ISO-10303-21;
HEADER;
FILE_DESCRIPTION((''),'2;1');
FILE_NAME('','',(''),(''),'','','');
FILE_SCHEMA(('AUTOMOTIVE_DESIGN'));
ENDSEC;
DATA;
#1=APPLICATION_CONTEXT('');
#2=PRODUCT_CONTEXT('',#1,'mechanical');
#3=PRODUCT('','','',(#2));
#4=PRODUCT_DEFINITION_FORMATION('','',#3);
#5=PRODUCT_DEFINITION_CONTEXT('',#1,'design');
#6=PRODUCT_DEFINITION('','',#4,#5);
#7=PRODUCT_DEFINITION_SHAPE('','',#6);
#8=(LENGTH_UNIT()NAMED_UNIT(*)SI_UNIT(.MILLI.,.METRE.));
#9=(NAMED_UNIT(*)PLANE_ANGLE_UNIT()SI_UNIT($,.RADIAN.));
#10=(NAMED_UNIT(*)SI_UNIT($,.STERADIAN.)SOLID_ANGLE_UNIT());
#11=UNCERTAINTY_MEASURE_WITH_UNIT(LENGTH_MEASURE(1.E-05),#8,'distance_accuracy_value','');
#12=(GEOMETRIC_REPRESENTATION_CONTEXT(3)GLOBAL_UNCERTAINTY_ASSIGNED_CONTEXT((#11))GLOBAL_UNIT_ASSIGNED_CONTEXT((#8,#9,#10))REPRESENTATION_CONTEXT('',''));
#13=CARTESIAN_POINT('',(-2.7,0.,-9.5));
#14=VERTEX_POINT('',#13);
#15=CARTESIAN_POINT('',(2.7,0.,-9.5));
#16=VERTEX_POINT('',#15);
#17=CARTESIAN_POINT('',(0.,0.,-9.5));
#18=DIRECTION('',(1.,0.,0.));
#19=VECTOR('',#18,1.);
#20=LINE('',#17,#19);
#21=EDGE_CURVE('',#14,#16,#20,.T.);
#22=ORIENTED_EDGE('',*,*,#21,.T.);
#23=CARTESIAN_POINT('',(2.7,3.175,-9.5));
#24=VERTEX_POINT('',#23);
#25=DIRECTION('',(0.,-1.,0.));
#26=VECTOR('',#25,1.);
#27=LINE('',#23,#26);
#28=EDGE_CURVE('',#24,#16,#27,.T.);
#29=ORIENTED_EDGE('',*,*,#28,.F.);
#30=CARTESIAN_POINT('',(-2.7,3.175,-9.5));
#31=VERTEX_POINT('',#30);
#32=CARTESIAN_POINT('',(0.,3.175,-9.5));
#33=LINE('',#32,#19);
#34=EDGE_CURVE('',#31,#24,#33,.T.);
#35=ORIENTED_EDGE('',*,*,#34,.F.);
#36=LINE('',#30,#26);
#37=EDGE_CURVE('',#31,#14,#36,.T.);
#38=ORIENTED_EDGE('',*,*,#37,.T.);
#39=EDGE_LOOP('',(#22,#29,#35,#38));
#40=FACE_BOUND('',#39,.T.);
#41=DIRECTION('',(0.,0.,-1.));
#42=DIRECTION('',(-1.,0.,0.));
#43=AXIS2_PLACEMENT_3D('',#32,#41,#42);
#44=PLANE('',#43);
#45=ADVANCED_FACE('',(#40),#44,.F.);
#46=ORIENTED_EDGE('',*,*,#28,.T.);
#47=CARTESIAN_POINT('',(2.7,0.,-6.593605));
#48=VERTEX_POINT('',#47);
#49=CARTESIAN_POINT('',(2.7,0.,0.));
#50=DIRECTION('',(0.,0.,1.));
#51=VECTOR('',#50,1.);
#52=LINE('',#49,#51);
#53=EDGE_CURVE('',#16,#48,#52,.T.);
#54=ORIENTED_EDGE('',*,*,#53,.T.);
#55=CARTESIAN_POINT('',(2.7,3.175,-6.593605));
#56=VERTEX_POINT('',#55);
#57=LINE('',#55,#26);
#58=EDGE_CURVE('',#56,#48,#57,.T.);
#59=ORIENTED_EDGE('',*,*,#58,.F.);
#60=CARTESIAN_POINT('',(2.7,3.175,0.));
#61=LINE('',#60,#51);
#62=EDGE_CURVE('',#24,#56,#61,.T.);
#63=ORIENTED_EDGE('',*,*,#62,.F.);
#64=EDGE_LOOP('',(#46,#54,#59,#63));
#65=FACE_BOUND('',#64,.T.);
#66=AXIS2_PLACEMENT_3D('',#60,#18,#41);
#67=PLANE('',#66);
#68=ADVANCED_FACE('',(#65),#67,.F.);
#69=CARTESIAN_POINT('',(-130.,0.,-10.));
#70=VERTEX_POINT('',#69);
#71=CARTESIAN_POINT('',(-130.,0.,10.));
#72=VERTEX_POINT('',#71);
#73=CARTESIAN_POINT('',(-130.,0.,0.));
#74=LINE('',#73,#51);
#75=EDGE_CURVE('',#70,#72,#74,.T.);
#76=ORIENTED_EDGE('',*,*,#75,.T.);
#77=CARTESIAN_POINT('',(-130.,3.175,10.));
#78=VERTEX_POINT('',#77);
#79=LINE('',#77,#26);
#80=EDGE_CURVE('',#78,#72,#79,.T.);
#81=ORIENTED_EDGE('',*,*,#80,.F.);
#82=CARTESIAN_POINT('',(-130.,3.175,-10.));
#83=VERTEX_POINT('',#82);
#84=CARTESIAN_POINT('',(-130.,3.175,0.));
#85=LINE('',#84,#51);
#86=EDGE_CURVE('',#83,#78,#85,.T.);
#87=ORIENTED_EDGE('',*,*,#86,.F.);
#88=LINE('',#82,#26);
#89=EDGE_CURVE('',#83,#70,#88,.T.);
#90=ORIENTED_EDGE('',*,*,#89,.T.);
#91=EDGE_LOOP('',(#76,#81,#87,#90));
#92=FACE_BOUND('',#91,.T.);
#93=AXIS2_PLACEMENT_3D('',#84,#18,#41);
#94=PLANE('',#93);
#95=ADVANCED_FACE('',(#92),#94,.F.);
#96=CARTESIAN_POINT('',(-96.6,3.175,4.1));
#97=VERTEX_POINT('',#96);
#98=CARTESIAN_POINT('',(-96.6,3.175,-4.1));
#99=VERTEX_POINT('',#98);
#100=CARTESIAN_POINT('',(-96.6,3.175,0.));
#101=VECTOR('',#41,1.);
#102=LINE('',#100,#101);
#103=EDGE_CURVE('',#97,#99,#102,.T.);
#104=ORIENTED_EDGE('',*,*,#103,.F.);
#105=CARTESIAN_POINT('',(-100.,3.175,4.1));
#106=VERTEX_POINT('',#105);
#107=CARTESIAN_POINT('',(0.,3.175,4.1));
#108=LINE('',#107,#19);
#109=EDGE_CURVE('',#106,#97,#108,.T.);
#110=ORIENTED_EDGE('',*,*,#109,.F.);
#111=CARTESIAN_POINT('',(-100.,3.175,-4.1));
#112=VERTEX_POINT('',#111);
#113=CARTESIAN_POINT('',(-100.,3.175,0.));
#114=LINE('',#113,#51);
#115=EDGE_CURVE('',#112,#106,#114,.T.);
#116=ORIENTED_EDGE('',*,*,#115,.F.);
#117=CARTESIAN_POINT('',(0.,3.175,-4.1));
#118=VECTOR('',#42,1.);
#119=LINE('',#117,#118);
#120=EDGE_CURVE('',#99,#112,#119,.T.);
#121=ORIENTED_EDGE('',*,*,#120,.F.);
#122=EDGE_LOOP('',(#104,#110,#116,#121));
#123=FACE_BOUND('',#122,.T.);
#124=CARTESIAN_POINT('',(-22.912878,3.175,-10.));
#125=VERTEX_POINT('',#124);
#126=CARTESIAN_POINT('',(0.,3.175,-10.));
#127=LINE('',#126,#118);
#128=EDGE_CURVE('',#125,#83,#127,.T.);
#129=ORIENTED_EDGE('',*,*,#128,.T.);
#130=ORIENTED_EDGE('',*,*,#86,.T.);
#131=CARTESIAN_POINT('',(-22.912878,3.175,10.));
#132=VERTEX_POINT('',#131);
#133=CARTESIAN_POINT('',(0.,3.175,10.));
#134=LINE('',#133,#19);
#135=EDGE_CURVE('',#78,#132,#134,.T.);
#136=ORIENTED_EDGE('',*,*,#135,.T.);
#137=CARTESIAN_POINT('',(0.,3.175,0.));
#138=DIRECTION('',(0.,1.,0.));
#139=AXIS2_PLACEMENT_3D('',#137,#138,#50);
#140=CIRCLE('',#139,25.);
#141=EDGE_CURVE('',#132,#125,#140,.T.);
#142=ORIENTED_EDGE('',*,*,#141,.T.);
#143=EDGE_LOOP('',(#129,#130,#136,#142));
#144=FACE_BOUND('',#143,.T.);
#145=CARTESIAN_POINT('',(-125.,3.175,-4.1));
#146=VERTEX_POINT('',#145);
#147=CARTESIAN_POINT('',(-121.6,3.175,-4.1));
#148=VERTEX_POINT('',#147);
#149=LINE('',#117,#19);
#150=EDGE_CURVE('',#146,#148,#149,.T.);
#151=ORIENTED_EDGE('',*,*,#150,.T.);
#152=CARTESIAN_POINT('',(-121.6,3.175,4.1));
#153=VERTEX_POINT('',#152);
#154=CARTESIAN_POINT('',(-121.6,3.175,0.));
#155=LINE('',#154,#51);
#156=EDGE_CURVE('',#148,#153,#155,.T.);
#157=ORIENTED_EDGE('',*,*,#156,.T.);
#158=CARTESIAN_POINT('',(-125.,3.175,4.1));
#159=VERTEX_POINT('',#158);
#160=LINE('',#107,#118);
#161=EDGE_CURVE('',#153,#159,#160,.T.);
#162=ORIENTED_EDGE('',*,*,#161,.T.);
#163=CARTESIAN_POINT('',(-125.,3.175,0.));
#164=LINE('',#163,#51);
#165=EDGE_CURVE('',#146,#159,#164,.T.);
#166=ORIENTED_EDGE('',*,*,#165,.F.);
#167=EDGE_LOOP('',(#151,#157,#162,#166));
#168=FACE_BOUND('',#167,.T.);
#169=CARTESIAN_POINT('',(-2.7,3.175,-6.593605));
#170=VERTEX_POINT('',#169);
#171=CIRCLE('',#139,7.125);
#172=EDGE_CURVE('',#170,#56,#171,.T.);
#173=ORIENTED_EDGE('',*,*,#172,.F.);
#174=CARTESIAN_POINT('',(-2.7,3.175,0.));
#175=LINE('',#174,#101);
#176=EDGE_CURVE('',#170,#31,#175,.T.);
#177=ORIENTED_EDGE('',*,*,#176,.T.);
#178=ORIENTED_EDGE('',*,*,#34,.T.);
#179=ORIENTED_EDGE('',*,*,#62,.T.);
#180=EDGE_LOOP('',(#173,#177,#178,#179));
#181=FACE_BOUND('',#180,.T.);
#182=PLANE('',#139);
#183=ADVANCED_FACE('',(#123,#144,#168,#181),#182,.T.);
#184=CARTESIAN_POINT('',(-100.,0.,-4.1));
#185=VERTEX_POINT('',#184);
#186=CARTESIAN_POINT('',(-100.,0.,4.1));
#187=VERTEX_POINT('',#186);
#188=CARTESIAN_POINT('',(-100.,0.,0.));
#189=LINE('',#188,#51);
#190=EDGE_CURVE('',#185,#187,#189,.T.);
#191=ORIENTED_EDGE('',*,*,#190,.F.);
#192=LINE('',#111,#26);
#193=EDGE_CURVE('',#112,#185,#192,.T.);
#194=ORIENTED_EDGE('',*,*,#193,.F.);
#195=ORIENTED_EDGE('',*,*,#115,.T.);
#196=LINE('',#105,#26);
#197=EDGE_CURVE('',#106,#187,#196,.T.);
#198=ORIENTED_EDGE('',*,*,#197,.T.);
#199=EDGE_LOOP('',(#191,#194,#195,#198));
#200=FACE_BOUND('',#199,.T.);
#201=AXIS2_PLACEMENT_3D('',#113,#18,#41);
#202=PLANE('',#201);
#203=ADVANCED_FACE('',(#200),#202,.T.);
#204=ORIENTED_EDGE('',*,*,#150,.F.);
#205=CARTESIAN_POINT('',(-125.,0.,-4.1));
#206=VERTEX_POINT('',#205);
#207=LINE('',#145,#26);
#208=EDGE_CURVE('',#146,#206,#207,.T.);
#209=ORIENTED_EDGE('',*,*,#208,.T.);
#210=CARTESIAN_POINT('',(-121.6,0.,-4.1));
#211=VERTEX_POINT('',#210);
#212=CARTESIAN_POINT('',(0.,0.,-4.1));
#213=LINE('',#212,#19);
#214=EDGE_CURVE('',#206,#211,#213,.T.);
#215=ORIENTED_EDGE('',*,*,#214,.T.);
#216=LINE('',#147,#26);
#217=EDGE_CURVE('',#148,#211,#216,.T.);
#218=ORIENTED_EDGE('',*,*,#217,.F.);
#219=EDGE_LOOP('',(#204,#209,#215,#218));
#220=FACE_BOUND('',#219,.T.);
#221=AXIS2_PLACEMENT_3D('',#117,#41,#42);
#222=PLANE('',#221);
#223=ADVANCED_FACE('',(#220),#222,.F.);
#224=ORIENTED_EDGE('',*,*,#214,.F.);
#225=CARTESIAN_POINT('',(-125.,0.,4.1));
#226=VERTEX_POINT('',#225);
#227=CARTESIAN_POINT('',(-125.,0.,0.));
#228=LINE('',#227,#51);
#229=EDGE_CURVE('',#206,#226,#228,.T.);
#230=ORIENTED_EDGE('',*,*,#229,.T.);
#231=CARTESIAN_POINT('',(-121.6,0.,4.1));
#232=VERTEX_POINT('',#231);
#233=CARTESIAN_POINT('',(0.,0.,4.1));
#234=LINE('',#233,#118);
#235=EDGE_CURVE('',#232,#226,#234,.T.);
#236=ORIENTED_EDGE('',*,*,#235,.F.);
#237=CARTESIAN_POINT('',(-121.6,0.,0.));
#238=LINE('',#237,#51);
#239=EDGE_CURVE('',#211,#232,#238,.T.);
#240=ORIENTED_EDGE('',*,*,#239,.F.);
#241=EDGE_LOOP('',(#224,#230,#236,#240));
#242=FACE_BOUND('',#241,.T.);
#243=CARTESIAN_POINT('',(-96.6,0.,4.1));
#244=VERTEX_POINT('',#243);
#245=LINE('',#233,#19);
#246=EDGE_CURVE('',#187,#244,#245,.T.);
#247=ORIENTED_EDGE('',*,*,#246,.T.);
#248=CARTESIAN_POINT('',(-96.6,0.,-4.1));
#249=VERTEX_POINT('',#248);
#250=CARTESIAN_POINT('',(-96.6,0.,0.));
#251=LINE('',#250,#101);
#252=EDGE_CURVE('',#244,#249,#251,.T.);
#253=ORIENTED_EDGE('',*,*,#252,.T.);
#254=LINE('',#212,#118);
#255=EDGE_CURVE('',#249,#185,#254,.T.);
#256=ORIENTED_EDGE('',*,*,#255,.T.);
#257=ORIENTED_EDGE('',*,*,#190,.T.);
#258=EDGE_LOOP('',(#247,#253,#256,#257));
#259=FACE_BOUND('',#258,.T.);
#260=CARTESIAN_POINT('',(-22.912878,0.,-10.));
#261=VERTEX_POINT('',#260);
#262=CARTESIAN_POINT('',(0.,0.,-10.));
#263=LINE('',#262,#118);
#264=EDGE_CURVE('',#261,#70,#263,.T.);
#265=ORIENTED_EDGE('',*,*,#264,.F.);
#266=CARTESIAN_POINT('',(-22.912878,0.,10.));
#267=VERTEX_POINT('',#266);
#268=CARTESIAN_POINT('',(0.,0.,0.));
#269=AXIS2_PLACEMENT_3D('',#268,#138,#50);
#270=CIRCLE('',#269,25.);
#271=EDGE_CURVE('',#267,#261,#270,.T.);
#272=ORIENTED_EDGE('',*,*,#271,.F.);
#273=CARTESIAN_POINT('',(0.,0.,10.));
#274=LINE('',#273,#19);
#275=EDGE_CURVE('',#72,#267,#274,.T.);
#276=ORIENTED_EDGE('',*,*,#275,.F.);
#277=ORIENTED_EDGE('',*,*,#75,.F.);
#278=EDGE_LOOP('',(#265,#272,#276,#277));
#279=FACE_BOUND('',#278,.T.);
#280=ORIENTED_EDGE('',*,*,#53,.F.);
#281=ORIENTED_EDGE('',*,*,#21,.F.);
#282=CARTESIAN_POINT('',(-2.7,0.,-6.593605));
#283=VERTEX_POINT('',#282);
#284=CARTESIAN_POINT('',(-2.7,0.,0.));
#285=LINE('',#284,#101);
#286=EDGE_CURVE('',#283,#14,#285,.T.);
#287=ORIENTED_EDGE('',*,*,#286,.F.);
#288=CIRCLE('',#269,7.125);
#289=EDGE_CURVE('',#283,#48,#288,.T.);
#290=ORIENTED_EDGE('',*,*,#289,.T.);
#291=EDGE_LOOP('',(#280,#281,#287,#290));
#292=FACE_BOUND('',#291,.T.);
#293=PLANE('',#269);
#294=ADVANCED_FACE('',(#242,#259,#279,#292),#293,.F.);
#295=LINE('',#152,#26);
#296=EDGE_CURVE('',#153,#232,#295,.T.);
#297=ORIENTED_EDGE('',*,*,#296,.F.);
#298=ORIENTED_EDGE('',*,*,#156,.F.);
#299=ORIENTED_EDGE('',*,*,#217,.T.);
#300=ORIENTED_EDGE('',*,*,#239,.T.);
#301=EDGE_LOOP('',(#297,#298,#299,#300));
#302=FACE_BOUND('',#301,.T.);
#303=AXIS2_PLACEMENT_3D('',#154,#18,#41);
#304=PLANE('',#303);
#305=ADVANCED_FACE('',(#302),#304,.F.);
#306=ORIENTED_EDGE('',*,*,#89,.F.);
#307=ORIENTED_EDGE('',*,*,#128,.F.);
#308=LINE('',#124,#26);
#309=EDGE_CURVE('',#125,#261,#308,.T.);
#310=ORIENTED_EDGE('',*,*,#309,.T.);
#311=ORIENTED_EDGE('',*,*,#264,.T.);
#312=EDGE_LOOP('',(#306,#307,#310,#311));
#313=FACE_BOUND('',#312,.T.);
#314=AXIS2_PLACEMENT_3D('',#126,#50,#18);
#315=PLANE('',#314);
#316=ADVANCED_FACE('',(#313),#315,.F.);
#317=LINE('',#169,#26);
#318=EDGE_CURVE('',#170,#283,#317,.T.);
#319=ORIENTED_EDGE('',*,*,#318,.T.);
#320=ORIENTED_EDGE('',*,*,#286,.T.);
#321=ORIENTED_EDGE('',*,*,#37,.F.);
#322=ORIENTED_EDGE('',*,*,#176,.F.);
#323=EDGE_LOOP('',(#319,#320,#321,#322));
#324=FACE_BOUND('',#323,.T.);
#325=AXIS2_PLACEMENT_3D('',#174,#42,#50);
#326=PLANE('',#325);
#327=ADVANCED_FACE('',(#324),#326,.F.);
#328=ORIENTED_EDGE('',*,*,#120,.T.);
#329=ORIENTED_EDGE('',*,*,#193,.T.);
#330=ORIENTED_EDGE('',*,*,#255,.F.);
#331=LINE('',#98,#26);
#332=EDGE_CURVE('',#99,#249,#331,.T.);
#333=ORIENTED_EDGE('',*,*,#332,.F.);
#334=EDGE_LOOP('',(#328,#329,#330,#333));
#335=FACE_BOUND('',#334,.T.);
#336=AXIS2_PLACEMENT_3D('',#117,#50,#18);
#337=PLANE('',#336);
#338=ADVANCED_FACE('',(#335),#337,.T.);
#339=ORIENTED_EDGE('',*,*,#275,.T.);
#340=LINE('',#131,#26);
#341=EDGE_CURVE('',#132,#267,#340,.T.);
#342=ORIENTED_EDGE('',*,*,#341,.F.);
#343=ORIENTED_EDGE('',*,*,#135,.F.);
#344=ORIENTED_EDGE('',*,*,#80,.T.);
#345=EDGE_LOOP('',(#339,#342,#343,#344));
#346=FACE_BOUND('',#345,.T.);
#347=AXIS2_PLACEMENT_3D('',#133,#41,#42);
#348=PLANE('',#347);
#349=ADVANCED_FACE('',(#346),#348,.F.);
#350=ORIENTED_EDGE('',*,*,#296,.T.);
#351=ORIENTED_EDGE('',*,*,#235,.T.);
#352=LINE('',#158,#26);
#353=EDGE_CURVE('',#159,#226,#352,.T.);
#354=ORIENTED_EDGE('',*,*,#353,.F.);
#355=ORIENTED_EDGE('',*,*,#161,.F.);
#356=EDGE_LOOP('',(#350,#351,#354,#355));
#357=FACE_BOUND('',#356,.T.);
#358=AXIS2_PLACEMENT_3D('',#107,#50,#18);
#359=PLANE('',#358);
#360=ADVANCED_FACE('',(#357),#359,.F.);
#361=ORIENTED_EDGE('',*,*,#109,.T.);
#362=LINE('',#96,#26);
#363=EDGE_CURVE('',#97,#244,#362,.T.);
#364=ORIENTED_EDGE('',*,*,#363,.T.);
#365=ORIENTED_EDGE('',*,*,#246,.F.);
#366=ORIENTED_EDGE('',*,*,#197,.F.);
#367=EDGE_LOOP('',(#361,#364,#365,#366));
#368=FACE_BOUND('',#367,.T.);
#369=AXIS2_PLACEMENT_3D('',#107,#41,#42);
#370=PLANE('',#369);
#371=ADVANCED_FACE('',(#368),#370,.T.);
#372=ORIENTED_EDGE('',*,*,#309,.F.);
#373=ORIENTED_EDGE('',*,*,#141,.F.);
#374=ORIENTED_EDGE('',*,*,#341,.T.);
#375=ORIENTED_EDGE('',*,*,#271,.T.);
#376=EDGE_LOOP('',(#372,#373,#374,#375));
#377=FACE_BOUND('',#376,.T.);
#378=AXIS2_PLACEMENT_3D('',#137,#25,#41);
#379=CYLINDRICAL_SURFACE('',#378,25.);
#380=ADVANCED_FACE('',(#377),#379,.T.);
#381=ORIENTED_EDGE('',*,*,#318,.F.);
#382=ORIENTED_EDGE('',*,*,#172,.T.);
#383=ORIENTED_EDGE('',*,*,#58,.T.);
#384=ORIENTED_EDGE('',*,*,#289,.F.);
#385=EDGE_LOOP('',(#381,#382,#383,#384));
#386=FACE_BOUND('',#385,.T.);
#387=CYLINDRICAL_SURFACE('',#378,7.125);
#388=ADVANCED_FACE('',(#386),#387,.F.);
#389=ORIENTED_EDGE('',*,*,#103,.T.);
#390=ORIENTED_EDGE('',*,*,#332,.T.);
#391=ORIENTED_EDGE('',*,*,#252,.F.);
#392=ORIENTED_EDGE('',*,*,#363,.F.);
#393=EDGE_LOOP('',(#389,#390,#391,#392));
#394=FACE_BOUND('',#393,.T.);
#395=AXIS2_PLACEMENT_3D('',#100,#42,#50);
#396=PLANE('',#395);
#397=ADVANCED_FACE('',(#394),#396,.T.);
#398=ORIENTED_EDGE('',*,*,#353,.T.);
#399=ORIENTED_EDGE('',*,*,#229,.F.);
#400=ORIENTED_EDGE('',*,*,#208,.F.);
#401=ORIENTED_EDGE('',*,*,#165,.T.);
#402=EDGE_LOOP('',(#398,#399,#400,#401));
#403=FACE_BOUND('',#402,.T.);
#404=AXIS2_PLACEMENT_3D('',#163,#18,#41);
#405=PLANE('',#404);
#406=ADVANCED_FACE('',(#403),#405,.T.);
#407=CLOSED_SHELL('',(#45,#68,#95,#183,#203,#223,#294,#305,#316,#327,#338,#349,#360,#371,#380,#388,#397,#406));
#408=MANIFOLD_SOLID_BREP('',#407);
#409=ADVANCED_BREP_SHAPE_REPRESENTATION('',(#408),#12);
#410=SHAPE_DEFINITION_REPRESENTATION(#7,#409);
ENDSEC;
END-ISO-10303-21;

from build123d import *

# Parameters (mm, degrees)
SKETCH1_W           = 3.4
SKETCH1_H           = 8.2
BOSS_EXTRUDE1_DEPTH = 3.175


with BuildPart() as part:
    # Sketch1 → Boss-Extrude1 (new body)
    with BuildSketch(Plane(origin=(0, 0, 0), x_dir=(1, 0, 0), z_dir=(0, 1, 0))):
        with BuildLine():
            ThreePointArc((-22.912878475, -10), (25, 0), (-22.912878475, 10))
            Line((-22.912878475, 10), (-130, 10))
            Line((-130, 10), (-130, -10))
            Line((-130, -10), (-22.912878475, -10))
        make_face()
        with Locations((-123.3, 0)):
            Rectangle(SKETCH1_W, SKETCH1_H, mode=Mode.SUBTRACT)
        with Locations((-98.3, 0)):
            Rectangle(SKETCH1_W, SKETCH1_H, mode=Mode.SUBTRACT)
        with BuildLine():
            Line((-2.7, 6.593604856), (-2.7, 9.5))
            Line((-2.7, 9.5), (2.7, 9.5))
            Line((2.7, 9.5), (2.7, 6.593604856))
            ThreePointArc((2.7, 6.593604856), (0, -7.125), (-2.7, 6.593604856))
        make_face(mode=Mode.SUBTRACT)
    extrude(amount=BOSS_EXTRUDE1_DEPTH)


solid = part.part
